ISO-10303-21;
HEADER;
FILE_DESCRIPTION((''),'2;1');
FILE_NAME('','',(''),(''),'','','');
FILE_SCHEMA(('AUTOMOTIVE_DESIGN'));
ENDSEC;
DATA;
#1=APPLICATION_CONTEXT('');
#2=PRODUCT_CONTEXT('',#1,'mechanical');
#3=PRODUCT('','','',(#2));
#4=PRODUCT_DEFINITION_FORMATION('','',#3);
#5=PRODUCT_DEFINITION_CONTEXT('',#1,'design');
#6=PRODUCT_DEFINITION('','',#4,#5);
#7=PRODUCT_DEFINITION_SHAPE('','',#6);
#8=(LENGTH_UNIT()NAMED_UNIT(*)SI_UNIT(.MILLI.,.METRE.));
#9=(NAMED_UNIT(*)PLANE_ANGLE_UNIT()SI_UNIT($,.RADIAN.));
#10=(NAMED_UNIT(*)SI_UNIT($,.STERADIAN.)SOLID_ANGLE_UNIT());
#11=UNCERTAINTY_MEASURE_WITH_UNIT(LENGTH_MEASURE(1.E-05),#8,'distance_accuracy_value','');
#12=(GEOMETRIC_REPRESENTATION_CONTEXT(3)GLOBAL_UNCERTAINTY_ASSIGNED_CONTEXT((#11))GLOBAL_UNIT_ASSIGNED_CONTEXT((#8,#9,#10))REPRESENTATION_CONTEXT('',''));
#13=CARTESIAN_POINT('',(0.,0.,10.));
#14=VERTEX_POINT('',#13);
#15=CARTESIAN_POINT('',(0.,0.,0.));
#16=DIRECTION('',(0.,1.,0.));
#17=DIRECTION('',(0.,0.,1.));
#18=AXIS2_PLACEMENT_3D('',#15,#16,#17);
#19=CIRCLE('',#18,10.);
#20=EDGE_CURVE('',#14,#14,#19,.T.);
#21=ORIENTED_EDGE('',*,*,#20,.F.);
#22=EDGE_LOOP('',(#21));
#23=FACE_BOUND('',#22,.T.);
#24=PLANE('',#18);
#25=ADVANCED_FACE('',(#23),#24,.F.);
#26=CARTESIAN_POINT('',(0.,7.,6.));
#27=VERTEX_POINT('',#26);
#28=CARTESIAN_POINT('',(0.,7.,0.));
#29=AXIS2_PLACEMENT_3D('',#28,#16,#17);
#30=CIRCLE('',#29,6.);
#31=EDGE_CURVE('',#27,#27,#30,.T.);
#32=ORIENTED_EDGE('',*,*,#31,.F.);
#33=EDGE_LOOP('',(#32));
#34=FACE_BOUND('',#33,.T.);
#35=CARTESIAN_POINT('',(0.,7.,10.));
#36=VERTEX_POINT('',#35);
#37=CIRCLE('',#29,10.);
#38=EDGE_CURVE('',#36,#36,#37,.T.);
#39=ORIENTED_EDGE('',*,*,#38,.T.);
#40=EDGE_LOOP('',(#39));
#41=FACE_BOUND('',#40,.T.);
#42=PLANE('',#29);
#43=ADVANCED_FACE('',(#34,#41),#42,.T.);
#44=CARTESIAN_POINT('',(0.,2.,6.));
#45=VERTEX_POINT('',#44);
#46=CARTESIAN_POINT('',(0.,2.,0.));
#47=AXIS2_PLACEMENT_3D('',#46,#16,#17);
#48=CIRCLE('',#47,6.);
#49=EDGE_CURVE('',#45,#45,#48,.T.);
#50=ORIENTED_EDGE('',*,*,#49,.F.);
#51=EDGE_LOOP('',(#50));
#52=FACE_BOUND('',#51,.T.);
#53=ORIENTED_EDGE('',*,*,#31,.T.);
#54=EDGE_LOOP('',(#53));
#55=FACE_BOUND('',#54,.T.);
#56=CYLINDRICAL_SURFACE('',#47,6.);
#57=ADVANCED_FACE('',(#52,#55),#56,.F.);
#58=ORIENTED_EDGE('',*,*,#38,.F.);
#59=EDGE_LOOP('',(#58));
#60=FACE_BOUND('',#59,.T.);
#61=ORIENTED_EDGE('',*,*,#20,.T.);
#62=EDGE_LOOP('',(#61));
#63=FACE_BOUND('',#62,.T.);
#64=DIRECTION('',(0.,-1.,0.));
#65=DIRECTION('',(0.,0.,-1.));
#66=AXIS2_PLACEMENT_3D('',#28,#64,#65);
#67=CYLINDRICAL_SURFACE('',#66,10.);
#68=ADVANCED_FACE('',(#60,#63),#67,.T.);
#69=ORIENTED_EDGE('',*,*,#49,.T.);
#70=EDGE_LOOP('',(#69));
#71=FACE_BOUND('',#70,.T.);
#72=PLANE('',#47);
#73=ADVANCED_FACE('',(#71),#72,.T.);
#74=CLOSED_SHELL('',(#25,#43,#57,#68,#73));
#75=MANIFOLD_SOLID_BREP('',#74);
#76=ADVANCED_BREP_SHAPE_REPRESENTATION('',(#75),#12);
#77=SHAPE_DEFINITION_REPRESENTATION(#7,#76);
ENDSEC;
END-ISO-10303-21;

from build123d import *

# Parameters (mm, degrees)
SKIZZE1_R                       = 10
AUFSATZ_LINEAR_AUSTRAGEN1_DEPTH = 7
SKIZZE2_R                       = 6
SCHNITT_LINEAR_AUSTRAGEN1_DEPTH = 5


with BuildPart() as part:
    # Skizze1 → Aufsatz-Linear austragen1 (new body)
    with BuildSketch(Plane(origin=(0, 0, 0), x_dir=(1, 0, 0), z_dir=(0, 1, 0))):
        with Locations(Location((0, 0, 0), (0, 0, 270))):
            Circle(SKIZZE1_R)
    extrude(amount=AUFSATZ_LINEAR_AUSTRAGEN1_DEPTH)

    # Skizze2 → Schnitt-Linear austragen1 (cut)
    with BuildSketch(Plane(origin=(0, 7, 0), x_dir=(1, 0, 0), z_dir=(0, 1, 0))):
        with Locations(Location((0, 0, 0), (0, 0, 270))):
            Circle(SKIZZE2_R)
    extrude(amount=-SCHNITT_LINEAR_AUSTRAGEN1_DEPTH, mode=Mode.SUBTRACT)


solid = part.part
